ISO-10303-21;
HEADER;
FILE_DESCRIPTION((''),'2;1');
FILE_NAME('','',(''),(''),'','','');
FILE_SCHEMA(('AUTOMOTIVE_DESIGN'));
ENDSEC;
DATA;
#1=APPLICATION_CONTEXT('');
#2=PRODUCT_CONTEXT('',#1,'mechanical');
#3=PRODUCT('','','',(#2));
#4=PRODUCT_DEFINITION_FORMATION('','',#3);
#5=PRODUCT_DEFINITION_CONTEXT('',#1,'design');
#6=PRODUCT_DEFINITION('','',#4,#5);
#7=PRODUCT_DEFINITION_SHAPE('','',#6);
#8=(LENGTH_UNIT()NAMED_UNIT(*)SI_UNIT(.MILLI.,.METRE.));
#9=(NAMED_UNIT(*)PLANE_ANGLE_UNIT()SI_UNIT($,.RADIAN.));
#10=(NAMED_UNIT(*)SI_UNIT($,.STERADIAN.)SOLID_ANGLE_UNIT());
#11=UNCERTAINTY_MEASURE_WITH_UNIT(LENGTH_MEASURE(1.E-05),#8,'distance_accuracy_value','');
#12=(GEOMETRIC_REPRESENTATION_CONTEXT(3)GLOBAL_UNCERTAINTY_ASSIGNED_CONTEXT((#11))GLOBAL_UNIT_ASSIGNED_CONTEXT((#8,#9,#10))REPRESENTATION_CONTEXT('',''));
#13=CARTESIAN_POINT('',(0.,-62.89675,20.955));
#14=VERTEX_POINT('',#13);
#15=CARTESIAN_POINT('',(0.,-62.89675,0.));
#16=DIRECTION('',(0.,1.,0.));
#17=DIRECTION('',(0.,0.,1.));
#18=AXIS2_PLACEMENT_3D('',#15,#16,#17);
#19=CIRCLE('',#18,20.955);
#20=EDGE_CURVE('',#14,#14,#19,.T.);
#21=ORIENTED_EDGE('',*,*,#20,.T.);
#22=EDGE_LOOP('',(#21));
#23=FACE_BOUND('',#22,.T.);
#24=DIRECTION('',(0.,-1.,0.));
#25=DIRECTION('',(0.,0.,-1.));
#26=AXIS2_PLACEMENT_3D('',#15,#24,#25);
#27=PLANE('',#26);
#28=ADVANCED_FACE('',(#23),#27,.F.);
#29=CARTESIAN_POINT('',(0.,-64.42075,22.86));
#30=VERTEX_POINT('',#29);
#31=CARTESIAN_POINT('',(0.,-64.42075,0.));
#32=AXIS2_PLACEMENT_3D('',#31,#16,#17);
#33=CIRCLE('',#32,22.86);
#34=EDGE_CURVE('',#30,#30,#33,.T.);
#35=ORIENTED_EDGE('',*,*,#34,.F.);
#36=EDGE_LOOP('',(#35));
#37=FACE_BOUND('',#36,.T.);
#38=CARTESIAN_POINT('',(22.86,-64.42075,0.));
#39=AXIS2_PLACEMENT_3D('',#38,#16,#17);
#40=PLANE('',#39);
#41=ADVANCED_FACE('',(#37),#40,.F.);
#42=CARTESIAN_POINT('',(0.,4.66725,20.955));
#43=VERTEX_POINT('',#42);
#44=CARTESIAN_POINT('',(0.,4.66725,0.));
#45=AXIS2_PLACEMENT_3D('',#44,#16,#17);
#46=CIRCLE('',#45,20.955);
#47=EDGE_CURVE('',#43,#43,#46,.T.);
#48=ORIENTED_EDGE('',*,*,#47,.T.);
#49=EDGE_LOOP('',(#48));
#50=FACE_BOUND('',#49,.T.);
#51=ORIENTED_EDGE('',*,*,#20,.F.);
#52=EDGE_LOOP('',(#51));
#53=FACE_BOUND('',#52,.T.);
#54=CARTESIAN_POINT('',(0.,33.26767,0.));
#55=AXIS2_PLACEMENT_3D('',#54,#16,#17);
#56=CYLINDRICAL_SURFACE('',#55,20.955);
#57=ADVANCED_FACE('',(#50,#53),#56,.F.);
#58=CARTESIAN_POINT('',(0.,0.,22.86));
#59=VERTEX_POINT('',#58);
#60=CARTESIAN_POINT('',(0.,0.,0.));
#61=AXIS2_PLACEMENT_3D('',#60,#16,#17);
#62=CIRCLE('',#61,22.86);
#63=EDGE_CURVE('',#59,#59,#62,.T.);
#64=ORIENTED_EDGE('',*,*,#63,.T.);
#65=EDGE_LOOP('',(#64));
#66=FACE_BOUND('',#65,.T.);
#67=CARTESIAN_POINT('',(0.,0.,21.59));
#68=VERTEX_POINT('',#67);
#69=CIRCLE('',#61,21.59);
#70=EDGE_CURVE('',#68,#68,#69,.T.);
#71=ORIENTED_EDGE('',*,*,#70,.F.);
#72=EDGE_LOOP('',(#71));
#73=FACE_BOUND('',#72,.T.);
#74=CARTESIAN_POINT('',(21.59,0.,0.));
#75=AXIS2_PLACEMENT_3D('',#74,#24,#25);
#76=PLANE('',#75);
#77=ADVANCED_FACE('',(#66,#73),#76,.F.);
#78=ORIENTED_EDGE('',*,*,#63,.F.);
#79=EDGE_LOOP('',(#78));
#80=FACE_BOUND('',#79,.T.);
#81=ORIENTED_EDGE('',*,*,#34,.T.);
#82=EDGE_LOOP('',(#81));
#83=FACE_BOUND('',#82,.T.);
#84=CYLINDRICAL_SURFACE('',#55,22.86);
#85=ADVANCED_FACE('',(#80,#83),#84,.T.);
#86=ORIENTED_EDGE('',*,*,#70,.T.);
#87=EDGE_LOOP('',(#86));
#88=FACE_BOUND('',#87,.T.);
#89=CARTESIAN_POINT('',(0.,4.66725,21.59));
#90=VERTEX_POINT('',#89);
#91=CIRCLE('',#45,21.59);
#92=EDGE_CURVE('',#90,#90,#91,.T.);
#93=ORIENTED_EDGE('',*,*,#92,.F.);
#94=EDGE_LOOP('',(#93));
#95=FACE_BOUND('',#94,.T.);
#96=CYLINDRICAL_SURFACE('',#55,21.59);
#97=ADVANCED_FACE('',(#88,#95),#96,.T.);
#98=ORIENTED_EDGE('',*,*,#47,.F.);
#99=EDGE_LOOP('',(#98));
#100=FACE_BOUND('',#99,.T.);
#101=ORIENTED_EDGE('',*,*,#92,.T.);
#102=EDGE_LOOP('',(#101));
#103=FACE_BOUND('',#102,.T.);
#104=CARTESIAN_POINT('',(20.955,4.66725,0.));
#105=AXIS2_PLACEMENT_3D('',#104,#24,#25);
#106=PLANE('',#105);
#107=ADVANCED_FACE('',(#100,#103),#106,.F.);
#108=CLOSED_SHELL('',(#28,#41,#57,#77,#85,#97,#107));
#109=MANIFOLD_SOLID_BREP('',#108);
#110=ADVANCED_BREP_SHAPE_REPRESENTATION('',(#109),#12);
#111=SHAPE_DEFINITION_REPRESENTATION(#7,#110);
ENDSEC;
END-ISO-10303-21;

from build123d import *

# Parameters (mm, degrees)
CUT_EXTRUDE1_REACH = 78.278
SKETCH2_R          = 22.225
SKETCH2_R_2        = 21.59


with BuildPart() as part:
    # Sketch1 → Revolve1 (revolve)
    with BuildSketch(Plane.XY, mode=Mode.PRIVATE) as revolve1_sk:
        Polygon((22.86, 0), (22.86, -64.42075), (0, -64.42075), (0, -62.89675), (20.955, -62.89675), (20.955, 4.66725), (22.225, 4.66725), (22.225, 2.286), (21.59, 2.286), (21.59, 0), (22.225, 0), align=None)
    revolve(revolve1_sk.sketch.rotate(Axis((0, 33.267670174, 0), (0, -1, 0)), 90), axis=Axis((0, 33.267670174, 0), (0, -1, 0)))

    # Sketch2 → Cut-Extrude1 (cut, up to next)
    with BuildSketch(Plane(origin=(0, 4.66725, 0), x_dir=(1, 0, 0), z_dir=(0, 1, 0)), mode=Mode.PRIVATE) as cut_extrude1_sk1:
        Circle(SKETCH2_R)
        with Locations(Location((0, 0, 0), (0, 0, 270))):
            Circle(SKETCH2_R_2, mode=Mode.SUBTRACT)
    cut_extrude1_tool1 = extrude(cut_extrude1_sk1.sketch, amount=-CUT_EXTRUDE1_REACH, mode=Mode.PRIVATE) & part.part
    add(cut_extrude1_tool1.solids().sort_by_distance((-21.596382, 4.66725, 0))[0], mode=Mode.SUBTRACT)


solid = part.part
